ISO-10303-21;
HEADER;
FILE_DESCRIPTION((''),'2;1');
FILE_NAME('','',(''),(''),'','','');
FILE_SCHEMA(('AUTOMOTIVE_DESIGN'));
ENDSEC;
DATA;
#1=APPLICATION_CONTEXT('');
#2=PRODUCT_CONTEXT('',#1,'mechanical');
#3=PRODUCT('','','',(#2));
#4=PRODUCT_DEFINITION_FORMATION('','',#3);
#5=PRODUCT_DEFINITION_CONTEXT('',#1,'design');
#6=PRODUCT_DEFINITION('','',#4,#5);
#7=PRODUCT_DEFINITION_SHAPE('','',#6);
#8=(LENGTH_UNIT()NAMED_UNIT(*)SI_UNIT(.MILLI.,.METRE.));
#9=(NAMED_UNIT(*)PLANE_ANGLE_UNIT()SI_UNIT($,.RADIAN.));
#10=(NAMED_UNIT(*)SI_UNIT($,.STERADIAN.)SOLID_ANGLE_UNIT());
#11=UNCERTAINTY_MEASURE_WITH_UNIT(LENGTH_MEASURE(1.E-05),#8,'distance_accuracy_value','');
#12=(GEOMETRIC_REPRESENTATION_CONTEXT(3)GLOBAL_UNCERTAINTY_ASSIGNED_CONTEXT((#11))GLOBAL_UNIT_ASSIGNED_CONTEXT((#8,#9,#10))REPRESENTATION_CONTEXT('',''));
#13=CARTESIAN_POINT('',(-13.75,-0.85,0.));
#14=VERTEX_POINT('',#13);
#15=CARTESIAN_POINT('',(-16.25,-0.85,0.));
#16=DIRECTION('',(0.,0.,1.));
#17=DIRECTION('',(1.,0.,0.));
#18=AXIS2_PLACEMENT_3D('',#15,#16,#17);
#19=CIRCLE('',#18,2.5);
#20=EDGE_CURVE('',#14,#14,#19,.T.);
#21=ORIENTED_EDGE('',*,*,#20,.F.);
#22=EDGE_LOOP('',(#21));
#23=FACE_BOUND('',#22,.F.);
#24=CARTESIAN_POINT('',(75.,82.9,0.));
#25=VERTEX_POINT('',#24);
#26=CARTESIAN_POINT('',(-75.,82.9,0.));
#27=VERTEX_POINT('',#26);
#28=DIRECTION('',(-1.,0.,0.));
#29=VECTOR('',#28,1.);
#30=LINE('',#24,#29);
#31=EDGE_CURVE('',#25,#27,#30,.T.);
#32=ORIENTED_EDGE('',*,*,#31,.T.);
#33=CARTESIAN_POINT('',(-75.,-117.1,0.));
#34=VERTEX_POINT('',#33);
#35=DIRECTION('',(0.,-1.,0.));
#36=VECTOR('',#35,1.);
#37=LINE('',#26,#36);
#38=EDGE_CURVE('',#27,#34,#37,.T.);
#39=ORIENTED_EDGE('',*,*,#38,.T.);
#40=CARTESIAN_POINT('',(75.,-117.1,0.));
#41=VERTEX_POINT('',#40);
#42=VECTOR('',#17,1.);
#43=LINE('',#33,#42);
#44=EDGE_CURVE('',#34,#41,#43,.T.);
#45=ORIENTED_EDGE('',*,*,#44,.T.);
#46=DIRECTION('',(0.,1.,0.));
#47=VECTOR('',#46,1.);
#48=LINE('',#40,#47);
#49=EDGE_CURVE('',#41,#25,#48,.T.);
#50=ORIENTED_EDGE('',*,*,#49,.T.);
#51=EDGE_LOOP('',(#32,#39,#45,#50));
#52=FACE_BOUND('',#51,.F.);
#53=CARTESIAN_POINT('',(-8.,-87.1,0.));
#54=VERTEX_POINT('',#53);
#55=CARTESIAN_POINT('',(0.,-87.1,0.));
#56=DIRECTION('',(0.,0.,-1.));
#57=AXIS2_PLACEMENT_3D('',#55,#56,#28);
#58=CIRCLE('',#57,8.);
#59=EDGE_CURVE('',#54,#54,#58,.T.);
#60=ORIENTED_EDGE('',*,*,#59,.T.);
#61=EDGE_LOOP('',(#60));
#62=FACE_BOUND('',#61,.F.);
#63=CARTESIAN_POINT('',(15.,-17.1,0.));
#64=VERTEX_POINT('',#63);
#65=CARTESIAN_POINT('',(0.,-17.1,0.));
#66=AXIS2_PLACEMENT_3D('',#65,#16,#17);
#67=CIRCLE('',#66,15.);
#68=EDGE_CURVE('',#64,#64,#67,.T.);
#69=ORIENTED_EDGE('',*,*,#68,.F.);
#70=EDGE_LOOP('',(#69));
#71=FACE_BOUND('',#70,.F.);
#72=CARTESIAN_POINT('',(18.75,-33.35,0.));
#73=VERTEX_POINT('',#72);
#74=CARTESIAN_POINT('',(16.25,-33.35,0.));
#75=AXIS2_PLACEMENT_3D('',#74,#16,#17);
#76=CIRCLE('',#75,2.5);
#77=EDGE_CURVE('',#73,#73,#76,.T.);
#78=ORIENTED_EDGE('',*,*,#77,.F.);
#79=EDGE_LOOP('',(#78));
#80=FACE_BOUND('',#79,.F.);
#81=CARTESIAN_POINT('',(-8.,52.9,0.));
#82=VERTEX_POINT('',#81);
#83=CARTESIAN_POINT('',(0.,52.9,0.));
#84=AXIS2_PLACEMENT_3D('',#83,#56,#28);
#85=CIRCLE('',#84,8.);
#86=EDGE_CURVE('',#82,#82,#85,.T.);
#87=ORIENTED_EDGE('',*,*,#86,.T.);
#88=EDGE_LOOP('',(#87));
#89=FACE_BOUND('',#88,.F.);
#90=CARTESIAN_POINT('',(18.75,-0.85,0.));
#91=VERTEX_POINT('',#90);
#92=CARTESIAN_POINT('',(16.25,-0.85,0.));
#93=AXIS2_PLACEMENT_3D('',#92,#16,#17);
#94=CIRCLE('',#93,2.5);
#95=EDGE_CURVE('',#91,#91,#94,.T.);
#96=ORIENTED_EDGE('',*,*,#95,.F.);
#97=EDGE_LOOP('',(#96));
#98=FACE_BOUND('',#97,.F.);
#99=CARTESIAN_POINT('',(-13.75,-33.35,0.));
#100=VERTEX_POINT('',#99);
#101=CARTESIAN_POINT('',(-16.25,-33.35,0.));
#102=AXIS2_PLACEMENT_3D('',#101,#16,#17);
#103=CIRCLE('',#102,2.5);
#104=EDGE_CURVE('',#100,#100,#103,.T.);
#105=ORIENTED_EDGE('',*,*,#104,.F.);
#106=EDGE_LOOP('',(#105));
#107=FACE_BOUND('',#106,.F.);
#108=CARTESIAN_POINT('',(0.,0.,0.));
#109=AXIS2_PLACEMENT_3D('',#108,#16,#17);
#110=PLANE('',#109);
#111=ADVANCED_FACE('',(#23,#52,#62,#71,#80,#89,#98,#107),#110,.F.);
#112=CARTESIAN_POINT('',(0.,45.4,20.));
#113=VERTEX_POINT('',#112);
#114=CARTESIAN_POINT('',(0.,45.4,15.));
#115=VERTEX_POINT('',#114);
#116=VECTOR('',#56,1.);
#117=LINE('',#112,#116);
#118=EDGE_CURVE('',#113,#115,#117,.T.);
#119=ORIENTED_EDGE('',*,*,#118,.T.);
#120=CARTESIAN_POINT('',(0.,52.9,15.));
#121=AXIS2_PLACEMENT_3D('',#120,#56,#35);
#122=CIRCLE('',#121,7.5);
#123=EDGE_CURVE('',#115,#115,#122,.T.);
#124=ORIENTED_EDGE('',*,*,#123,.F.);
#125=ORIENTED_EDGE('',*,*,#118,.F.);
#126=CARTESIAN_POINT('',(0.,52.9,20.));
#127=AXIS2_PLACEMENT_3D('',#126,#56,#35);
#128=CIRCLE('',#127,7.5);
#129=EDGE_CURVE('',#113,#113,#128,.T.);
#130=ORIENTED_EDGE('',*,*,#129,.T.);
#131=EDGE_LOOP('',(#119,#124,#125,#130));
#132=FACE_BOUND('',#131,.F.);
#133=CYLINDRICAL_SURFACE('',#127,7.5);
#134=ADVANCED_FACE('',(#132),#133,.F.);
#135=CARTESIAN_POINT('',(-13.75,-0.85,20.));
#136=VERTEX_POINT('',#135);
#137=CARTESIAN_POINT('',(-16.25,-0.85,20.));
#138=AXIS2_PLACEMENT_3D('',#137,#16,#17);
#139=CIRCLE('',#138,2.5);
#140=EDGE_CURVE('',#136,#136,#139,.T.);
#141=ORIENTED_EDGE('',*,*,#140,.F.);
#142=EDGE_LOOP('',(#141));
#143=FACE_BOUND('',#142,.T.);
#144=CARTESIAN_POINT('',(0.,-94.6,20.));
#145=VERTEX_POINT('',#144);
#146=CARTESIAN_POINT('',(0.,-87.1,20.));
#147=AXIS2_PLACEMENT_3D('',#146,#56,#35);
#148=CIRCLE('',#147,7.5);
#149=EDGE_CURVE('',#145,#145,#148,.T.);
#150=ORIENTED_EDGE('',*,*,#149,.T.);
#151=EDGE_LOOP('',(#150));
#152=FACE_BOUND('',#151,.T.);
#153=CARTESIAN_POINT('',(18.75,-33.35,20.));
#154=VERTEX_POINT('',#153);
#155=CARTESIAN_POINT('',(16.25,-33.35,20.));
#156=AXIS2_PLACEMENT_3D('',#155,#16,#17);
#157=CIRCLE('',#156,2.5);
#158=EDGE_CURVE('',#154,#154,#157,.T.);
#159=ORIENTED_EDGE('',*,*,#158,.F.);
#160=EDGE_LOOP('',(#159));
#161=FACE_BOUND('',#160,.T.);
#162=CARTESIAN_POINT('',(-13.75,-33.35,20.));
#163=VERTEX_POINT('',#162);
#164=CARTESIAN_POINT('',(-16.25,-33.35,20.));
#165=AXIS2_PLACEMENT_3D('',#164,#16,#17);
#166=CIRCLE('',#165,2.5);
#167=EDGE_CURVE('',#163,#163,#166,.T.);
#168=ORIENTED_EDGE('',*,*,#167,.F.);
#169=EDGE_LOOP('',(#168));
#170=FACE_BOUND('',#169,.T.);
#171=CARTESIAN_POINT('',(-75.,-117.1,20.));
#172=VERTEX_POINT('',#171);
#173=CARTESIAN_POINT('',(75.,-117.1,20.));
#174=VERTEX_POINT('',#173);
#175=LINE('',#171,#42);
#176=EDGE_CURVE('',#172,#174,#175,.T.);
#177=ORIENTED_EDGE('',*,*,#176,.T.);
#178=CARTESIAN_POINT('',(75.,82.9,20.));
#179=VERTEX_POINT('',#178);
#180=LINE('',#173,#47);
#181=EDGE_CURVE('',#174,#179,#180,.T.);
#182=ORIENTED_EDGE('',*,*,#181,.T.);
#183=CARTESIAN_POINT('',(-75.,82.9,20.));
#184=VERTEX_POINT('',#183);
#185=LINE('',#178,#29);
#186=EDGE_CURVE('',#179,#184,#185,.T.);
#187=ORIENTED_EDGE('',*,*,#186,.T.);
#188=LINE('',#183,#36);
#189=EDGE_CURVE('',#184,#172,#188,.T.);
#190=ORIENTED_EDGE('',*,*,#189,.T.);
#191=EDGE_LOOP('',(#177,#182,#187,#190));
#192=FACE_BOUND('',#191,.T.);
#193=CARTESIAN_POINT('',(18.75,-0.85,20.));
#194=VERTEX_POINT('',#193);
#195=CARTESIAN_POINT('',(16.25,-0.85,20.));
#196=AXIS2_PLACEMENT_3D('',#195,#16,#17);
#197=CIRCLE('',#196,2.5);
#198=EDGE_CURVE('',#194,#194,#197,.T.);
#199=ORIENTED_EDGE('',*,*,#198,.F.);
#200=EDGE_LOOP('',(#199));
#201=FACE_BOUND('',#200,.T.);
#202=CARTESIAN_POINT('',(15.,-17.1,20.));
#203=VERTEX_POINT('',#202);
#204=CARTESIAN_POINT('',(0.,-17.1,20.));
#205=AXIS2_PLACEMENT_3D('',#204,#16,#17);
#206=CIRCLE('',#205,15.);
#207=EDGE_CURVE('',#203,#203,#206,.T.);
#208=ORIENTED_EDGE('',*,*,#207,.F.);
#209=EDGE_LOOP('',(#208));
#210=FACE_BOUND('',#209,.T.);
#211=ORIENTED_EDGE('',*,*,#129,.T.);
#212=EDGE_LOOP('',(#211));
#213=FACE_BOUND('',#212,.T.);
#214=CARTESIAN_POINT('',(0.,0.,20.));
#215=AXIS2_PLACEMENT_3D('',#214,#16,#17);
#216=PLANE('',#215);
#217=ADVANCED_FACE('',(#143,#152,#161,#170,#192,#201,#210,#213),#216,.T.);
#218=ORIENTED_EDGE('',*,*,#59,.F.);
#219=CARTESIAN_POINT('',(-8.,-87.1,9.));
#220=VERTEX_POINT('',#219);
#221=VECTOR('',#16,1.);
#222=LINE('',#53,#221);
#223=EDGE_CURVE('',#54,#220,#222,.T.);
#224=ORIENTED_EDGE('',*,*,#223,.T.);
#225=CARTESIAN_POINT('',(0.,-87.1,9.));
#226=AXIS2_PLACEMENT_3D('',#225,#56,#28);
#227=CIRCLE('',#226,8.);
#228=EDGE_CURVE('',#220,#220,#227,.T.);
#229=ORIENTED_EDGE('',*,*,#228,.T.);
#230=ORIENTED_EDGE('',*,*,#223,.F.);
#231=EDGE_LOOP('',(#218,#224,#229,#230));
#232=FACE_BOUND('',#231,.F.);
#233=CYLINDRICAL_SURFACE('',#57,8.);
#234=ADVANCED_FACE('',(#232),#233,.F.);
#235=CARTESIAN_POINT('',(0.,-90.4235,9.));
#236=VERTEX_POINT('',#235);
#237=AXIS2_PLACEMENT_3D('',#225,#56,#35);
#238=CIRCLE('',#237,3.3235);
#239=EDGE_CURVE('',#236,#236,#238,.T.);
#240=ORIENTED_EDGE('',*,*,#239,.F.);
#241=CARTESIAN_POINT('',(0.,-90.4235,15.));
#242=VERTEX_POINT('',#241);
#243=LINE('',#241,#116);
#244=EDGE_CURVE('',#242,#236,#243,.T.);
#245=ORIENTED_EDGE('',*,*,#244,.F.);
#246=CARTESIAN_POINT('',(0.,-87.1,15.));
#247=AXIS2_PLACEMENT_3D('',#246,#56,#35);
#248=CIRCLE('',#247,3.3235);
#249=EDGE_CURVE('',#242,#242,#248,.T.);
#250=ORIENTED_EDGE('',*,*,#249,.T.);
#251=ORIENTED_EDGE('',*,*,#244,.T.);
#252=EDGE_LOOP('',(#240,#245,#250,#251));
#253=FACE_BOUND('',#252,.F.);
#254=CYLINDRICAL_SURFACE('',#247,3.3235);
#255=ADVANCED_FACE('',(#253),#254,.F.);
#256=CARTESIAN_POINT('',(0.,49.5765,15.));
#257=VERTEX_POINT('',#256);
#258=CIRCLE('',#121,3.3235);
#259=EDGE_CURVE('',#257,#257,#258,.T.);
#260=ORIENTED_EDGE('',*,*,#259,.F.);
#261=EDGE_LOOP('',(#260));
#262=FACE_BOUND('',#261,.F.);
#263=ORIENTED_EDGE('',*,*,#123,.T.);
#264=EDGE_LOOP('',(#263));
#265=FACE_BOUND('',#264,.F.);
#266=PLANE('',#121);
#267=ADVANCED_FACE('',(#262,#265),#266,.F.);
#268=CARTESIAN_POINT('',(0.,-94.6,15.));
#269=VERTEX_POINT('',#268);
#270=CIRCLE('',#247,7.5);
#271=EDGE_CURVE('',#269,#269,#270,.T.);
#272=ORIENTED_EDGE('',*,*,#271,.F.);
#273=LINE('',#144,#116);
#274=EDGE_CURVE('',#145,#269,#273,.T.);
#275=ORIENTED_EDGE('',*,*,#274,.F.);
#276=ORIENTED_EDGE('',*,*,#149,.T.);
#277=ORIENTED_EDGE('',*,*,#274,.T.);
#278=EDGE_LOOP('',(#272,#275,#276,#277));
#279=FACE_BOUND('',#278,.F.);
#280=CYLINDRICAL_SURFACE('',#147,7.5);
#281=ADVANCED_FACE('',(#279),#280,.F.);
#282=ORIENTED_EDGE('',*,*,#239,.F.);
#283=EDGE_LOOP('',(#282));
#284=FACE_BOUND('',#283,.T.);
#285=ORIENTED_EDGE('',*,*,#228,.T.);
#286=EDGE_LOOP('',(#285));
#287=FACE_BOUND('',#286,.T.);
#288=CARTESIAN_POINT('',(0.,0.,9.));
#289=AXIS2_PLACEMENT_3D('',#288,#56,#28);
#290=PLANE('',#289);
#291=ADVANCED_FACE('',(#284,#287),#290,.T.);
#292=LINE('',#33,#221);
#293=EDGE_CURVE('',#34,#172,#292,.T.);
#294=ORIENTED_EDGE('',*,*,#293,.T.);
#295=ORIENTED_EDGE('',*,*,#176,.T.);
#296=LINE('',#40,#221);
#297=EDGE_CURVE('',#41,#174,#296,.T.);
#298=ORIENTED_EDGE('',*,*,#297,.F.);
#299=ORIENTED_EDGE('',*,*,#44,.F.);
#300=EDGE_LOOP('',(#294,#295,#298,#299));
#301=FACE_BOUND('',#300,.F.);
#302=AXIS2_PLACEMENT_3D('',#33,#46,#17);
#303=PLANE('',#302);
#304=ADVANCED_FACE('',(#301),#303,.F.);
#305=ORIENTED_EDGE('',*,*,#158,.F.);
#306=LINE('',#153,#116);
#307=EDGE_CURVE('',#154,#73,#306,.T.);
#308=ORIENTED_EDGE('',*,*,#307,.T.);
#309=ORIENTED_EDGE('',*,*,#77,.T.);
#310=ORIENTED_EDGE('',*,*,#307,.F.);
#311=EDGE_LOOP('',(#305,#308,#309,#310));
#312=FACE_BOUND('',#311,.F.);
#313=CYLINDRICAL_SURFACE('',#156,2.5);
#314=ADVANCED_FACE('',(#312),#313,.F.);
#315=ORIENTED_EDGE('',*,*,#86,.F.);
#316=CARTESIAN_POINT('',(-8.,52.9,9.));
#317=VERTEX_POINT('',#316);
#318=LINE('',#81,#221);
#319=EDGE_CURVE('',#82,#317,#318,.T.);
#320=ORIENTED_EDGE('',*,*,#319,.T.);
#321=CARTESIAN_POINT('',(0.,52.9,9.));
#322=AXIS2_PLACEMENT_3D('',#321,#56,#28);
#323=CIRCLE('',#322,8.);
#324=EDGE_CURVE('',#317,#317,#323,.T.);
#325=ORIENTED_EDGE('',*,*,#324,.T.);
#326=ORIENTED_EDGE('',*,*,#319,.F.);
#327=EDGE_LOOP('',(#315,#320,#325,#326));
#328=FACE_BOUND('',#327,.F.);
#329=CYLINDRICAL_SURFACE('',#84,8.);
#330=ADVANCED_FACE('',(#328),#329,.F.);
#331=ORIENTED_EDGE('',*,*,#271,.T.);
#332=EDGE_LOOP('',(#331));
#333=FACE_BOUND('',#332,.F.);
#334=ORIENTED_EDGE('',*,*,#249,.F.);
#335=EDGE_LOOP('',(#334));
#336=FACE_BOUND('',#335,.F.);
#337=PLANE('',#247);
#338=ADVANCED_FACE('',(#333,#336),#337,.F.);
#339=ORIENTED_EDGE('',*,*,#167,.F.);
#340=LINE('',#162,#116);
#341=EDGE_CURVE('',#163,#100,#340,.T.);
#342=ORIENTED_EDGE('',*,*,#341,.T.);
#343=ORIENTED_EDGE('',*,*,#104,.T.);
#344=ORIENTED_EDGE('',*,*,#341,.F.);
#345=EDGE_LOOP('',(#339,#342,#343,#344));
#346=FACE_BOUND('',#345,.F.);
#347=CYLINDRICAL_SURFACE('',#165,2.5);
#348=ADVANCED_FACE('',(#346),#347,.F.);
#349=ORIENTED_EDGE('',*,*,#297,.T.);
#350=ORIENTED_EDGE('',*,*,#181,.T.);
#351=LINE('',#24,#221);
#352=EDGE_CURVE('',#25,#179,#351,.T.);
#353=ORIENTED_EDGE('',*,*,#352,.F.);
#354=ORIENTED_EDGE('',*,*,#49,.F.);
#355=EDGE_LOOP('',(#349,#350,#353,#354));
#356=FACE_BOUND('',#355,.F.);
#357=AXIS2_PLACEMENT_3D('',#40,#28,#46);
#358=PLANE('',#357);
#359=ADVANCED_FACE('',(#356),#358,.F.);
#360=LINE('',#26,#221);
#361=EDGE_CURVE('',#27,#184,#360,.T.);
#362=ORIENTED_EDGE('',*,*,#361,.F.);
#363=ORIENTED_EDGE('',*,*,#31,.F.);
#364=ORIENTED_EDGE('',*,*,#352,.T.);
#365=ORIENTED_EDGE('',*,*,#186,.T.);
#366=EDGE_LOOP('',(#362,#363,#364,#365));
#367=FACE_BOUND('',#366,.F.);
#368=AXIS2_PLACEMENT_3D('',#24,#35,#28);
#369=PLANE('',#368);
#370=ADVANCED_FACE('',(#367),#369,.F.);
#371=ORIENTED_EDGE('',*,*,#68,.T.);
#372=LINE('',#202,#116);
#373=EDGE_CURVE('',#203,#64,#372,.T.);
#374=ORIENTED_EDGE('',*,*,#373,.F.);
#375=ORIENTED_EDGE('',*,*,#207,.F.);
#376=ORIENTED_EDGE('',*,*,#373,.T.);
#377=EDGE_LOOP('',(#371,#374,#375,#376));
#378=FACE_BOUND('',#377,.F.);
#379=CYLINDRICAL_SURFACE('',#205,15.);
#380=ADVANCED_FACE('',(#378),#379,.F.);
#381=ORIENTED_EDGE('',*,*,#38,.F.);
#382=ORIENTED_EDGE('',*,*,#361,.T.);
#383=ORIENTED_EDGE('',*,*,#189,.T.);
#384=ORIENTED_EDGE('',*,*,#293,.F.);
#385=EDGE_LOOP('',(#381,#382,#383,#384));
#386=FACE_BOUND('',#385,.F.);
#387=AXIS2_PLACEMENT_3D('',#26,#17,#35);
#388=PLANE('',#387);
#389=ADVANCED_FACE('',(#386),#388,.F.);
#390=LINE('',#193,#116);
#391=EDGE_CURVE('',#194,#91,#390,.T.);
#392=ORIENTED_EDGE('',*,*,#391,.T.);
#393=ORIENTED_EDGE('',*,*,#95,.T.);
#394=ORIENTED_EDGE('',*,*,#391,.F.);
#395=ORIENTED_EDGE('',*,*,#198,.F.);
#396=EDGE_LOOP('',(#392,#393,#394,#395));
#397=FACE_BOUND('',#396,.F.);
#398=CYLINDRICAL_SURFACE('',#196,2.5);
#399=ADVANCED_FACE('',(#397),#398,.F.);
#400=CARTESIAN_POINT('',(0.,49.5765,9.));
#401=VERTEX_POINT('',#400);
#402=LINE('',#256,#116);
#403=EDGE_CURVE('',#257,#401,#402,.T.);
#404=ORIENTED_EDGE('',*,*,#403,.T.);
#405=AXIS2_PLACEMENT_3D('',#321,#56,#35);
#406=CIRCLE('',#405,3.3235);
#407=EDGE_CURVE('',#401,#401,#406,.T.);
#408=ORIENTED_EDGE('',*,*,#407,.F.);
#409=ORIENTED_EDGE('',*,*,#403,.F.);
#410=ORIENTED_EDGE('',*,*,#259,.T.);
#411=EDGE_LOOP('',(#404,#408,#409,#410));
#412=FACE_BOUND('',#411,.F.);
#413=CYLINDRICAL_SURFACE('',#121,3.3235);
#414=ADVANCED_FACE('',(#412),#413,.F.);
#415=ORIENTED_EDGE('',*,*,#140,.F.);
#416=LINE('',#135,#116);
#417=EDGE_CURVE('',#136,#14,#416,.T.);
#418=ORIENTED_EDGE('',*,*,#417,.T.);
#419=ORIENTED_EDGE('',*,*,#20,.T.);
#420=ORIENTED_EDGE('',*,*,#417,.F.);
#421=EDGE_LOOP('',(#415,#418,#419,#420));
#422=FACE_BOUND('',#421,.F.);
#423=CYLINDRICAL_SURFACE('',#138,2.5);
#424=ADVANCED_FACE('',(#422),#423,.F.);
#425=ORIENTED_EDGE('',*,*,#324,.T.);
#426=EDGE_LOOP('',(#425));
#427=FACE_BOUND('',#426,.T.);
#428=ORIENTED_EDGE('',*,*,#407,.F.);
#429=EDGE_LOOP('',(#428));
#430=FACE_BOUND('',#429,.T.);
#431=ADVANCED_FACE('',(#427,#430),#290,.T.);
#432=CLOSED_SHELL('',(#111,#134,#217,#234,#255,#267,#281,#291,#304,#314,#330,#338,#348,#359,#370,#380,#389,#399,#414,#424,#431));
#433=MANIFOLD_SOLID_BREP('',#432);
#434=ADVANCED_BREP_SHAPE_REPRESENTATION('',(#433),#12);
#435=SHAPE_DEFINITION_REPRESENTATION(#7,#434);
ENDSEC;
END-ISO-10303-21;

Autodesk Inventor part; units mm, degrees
ref_plane "YZ Plane" through (0, 0, 0) normal (1, 0, 0) x (0, 1, 0)
ref_plane "XZ Plane" through (0, 0, 0) normal (0, 1, 0) x (-1, 0, 0)
ref_plane "Work Plane1" through (0, 0, 0) normal (0, 0, 1) x (1, 0, 0)
sketch "Sketch1" plane through (0, 0, 0) normal (0, 0, 1) x (1, 0, 0)
  line L0 (-75, -117.1) -> (75, -117.1) projected
  line L1 (75, -117.1) -> (75, 82.9) projected
  line L2 (75, 82.9) -> (-75, 82.9) projected
  line L3 (-75, 82.9) -> (-75, -117.1) projected
  point P0 (0, -17.1)
  dimension "d11" = 100
extrude "Extrusion1" add sketch "Sketch1" along normal blind 20
sketch "Sketch2" plane through (0, 0, 20) normal (0, 0, 1) x (1, 0, 0)
  circle A0 centre (0, -17.1) radius 15
  line L0 (75, 82.9) -> (-75, 82.9) projected
  line L1 (-75, 82.9) -> (-75, -117.1) projected
  circle A1 centre (-16.25, -0.85) radius 2.5
  circle A2 centre (16.25, -0.85) radius 2.5
  circle A3 centre (-16.25, -33.35) radius 2.5
  circle A4 centre (16.25, -33.35) radius 2.5
  point P0 (0, 0)
  dimension "d6" = 30
  dimension "d7" = 100
  dimension "d8" = 75
  dimension "d15" = 5
  dimension "d16" = 16.25
  dimension "d17" = 16.25
  dimension "d18" = 16.25
  dimension "d19" = 16.25
  dimension "d20" = 16.25
  dimension "d21" = 16.25
  dimension "d22" = 16.25
  dimension "d23" = 16.25
extrude "Extrusion2" cut sketch "Sketch2" against normal through all
sketch "Sketch4" plane through (0, 0, 0) normal (0, 0, -1) x (-1, 0, 0)
  circle A0 centre (0, -17.1) radius 15 projected
  circle A1 centre (0, 52.9) radius 8
  circle A2 centre (0, -87.1) radius 8
  point P0 (0, 0)
  dimension "d33" = 70
  dimension "d34" = 70
  dimension "d35" = 16
extrude "Extrusion3" cut sketch "Sketch4" against normal blind 9 contours A1 | A2
sketch "Sketch5" plane through (0, 0, 20) normal (0, 0, 1) x (1, 0, 0)
  circle A0 centre (0, -17.1) radius 15 projected
  point P0 (0, 0)
  point P1 (0, -87.1)
  point P2 (0, 52.9)
  dimension "d38" = 70
  dimension "d39" = 70
hole "Hole2" at (0, -87.1, 20) at (0, 52.9, 20) direction (0, 0, -1) diameter 6.647 end through all counterbore diameter 15 counterbore depth 5 thread size "M8x1.25" class "6H" standard "ISO Metric profile"
equation "\"d17\" = d16"
equation "\"d18\" = d16"
equation "\"d19\" = d16"
equation "\"d20\" = d16"
equation "\"d21\" = d16"
equation "\"d22\" = d16"
equation "\"d23\" = d16"
properties part number "Soporte Pistón"
